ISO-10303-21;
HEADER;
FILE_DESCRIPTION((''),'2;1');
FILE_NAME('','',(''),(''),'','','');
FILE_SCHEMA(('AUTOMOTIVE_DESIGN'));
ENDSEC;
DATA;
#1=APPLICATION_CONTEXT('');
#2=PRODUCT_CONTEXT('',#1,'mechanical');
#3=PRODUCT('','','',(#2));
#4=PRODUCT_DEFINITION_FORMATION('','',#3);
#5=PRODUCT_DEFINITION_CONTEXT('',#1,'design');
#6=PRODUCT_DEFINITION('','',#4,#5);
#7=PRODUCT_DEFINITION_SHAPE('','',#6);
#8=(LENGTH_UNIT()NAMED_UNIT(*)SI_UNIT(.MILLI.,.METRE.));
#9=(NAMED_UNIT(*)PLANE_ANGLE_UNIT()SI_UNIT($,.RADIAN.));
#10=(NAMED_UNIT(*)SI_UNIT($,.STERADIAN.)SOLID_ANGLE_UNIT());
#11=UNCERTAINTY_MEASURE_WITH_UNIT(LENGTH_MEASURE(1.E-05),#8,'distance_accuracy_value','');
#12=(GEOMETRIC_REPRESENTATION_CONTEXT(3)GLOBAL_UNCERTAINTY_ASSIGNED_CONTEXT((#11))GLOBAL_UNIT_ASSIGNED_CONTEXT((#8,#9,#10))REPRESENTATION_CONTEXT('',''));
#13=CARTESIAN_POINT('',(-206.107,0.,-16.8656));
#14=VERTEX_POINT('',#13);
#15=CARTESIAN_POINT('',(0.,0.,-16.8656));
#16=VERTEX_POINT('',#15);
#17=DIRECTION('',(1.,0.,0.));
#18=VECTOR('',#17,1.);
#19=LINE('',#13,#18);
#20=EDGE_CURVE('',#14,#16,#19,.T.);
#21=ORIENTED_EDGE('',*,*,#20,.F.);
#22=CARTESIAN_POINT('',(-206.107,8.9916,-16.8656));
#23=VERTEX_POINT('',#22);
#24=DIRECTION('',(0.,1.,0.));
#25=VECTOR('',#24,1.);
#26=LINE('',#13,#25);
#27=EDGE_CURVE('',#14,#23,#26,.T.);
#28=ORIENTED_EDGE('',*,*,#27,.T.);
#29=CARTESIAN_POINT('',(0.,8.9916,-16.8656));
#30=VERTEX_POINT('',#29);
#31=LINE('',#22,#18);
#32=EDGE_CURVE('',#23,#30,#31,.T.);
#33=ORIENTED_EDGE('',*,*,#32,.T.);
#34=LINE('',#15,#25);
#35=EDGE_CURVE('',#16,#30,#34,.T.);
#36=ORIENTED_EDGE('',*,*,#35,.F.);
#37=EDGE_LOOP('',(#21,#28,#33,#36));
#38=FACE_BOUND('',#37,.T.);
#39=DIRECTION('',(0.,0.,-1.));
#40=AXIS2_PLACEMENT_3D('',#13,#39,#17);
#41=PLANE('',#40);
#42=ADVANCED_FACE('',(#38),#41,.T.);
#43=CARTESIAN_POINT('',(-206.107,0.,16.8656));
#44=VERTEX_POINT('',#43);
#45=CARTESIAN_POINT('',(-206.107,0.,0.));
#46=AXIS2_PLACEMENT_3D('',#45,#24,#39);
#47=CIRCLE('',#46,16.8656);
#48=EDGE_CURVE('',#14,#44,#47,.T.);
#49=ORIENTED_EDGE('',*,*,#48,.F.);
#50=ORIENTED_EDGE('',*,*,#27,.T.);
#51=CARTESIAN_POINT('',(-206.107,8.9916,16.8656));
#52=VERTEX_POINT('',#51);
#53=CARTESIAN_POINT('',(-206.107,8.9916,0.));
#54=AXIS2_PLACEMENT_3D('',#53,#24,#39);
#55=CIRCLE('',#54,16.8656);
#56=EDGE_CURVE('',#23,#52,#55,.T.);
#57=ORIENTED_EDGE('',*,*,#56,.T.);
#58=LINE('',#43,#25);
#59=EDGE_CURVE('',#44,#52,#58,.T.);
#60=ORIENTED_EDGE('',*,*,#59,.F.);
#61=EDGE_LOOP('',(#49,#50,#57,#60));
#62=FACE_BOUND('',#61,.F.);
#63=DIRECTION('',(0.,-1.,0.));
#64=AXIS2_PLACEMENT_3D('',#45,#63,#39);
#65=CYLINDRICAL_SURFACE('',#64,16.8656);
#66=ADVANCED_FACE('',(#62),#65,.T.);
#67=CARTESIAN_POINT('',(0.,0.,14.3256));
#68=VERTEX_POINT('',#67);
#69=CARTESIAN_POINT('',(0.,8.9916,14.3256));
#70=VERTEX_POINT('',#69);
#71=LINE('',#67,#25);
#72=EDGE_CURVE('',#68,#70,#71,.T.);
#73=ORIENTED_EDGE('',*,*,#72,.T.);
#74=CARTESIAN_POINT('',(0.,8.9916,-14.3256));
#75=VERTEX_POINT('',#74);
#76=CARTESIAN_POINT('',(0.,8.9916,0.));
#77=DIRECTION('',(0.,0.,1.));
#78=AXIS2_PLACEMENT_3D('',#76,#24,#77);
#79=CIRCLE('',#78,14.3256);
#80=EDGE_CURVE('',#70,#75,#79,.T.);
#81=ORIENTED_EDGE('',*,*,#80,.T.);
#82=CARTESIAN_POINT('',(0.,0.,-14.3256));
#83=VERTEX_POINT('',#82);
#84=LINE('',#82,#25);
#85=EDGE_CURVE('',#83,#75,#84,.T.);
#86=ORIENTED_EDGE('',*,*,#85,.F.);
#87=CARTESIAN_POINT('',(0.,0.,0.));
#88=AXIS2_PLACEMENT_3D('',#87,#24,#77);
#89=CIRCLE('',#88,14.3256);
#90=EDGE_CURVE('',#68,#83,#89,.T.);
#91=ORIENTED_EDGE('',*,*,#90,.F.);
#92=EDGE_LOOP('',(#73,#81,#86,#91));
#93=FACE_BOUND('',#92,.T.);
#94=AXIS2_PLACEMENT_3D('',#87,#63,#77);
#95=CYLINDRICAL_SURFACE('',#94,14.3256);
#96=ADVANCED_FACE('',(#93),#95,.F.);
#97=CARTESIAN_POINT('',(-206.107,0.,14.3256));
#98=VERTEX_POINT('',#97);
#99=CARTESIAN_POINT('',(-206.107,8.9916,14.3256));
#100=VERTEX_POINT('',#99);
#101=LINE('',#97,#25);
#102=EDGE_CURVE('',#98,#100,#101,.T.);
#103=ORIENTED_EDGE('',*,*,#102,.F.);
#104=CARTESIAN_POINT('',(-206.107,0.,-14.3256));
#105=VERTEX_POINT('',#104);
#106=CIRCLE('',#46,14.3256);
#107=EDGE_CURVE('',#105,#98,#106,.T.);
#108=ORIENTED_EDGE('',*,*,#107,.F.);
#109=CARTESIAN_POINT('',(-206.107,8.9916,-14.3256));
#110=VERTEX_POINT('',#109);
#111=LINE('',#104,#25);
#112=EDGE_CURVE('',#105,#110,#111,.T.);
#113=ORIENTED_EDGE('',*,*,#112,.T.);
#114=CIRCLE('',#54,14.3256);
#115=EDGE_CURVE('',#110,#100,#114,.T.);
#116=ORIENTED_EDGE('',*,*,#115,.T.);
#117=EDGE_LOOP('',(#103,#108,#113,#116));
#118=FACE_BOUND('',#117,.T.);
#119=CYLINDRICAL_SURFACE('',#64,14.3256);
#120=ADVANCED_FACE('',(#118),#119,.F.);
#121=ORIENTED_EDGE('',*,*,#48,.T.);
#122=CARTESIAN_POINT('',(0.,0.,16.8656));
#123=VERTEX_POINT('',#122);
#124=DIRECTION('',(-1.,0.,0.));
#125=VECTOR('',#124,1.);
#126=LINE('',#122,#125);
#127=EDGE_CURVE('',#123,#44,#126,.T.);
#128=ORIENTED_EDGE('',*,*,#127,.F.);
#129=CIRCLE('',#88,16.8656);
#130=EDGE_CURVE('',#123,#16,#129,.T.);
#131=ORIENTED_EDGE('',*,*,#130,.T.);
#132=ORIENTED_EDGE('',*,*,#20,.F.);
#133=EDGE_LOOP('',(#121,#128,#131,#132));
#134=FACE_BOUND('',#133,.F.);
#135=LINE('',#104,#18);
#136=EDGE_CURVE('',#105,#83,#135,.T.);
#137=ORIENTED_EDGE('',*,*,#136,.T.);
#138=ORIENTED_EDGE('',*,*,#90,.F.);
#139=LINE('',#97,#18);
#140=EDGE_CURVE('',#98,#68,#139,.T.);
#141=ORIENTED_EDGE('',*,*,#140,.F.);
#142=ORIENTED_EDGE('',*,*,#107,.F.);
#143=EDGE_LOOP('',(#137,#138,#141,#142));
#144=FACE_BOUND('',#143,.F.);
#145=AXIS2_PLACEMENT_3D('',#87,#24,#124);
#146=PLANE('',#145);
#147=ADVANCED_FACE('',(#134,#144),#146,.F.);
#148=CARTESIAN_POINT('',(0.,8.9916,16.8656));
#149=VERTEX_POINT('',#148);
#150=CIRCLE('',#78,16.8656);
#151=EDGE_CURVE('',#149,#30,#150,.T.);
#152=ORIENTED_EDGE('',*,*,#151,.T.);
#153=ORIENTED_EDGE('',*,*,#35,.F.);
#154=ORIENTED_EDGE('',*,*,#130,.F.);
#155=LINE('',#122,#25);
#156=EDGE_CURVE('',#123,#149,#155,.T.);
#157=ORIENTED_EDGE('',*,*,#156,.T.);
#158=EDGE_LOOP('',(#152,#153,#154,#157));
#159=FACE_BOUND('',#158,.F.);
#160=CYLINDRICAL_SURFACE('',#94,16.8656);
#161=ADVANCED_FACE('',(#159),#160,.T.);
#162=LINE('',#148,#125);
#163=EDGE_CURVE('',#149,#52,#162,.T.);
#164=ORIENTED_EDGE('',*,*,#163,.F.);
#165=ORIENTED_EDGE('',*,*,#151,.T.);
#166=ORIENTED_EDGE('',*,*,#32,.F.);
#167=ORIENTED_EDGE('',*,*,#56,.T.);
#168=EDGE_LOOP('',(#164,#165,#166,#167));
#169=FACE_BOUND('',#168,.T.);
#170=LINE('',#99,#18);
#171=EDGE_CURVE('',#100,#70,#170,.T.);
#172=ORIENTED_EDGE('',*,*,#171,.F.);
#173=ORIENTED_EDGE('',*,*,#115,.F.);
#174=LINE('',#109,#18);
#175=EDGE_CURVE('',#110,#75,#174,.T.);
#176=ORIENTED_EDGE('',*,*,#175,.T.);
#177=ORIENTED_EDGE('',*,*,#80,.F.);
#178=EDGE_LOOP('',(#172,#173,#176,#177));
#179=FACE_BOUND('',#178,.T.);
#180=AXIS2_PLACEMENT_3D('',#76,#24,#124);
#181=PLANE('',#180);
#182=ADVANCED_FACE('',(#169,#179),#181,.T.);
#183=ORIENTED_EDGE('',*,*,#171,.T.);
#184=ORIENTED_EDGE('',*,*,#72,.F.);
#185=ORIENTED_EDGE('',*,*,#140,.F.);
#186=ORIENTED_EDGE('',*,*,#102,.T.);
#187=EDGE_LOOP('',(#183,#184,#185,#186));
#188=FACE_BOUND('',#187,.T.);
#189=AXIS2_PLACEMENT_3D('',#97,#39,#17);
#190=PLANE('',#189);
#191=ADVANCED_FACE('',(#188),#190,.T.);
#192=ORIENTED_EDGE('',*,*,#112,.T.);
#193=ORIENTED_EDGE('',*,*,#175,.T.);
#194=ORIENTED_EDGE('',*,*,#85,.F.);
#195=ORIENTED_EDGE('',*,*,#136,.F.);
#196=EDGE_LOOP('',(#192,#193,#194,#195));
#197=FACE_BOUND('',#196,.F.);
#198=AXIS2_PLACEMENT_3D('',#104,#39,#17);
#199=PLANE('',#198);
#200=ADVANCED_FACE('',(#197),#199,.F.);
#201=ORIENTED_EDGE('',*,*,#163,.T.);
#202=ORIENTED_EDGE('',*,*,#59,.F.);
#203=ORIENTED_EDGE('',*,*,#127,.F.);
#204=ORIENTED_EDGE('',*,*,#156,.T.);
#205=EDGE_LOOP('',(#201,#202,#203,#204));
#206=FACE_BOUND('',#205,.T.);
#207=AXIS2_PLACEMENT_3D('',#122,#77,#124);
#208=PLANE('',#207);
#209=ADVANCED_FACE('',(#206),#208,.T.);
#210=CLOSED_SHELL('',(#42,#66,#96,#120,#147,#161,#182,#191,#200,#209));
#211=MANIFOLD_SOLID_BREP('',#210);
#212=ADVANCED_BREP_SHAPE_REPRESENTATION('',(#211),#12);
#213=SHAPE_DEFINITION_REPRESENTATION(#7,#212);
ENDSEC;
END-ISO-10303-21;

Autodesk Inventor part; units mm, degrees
ref_plane "YZ Plane" through (0, 0, 0) normal (1, 0, 0) x (0, 1, 0)
ref_plane "XZ Plane" through (0, 0, 0) normal (0, 1, 0) x (-1, 0, 0)
ref_plane "XY Plane" through (0, 0, 0) normal (0, 0, 1) x (1, 0, 0)
sketch "Sketch1" plane through (0, 0, 0) normal (0, 1, 0) x (-1, 0, 0)
  circle A0 centre (0, 0) radius 14.3256 construction
  line L0 (0, 0) -> (206.107, 0) construction
  circle A1 centre (206.107, 0) radius 14.3256 construction
  line L1 (206.107, 14.3256) -> (0, 14.3256)
  line L2 (206.107, -14.3256) -> (0, -14.3256)
  arc A2 (206.107, -14.3256) -> (206.107, 14.3256) centre (206.107, 0) ccw
  arc A3 (0, 14.3256) -> (0, -14.3256) centre (0, 0) ccw
  line L3 (0, 16.8656) -> (206.107, 16.8656)
  arc A4 (206.107, -16.8656) -> (206.107, 16.8656) centre (206.107, 0) ccw
  line L4 (206.107, -16.8656) -> (0, -16.8656)
  arc A5 (0, 16.8656) -> (0, -16.8656) centre (0, 0) ccw
  dimension "d0" = 28.6512
  dimension "d1" = 206.107
  dimension "d2" = 28.6512
  dimension "d3" = 2.54
extrude "Extrusion1" add sketch "Sketch1" along normal blind 8.9916
properties part number "INTK_014_Belt6" material "Rubber, Silicone"
